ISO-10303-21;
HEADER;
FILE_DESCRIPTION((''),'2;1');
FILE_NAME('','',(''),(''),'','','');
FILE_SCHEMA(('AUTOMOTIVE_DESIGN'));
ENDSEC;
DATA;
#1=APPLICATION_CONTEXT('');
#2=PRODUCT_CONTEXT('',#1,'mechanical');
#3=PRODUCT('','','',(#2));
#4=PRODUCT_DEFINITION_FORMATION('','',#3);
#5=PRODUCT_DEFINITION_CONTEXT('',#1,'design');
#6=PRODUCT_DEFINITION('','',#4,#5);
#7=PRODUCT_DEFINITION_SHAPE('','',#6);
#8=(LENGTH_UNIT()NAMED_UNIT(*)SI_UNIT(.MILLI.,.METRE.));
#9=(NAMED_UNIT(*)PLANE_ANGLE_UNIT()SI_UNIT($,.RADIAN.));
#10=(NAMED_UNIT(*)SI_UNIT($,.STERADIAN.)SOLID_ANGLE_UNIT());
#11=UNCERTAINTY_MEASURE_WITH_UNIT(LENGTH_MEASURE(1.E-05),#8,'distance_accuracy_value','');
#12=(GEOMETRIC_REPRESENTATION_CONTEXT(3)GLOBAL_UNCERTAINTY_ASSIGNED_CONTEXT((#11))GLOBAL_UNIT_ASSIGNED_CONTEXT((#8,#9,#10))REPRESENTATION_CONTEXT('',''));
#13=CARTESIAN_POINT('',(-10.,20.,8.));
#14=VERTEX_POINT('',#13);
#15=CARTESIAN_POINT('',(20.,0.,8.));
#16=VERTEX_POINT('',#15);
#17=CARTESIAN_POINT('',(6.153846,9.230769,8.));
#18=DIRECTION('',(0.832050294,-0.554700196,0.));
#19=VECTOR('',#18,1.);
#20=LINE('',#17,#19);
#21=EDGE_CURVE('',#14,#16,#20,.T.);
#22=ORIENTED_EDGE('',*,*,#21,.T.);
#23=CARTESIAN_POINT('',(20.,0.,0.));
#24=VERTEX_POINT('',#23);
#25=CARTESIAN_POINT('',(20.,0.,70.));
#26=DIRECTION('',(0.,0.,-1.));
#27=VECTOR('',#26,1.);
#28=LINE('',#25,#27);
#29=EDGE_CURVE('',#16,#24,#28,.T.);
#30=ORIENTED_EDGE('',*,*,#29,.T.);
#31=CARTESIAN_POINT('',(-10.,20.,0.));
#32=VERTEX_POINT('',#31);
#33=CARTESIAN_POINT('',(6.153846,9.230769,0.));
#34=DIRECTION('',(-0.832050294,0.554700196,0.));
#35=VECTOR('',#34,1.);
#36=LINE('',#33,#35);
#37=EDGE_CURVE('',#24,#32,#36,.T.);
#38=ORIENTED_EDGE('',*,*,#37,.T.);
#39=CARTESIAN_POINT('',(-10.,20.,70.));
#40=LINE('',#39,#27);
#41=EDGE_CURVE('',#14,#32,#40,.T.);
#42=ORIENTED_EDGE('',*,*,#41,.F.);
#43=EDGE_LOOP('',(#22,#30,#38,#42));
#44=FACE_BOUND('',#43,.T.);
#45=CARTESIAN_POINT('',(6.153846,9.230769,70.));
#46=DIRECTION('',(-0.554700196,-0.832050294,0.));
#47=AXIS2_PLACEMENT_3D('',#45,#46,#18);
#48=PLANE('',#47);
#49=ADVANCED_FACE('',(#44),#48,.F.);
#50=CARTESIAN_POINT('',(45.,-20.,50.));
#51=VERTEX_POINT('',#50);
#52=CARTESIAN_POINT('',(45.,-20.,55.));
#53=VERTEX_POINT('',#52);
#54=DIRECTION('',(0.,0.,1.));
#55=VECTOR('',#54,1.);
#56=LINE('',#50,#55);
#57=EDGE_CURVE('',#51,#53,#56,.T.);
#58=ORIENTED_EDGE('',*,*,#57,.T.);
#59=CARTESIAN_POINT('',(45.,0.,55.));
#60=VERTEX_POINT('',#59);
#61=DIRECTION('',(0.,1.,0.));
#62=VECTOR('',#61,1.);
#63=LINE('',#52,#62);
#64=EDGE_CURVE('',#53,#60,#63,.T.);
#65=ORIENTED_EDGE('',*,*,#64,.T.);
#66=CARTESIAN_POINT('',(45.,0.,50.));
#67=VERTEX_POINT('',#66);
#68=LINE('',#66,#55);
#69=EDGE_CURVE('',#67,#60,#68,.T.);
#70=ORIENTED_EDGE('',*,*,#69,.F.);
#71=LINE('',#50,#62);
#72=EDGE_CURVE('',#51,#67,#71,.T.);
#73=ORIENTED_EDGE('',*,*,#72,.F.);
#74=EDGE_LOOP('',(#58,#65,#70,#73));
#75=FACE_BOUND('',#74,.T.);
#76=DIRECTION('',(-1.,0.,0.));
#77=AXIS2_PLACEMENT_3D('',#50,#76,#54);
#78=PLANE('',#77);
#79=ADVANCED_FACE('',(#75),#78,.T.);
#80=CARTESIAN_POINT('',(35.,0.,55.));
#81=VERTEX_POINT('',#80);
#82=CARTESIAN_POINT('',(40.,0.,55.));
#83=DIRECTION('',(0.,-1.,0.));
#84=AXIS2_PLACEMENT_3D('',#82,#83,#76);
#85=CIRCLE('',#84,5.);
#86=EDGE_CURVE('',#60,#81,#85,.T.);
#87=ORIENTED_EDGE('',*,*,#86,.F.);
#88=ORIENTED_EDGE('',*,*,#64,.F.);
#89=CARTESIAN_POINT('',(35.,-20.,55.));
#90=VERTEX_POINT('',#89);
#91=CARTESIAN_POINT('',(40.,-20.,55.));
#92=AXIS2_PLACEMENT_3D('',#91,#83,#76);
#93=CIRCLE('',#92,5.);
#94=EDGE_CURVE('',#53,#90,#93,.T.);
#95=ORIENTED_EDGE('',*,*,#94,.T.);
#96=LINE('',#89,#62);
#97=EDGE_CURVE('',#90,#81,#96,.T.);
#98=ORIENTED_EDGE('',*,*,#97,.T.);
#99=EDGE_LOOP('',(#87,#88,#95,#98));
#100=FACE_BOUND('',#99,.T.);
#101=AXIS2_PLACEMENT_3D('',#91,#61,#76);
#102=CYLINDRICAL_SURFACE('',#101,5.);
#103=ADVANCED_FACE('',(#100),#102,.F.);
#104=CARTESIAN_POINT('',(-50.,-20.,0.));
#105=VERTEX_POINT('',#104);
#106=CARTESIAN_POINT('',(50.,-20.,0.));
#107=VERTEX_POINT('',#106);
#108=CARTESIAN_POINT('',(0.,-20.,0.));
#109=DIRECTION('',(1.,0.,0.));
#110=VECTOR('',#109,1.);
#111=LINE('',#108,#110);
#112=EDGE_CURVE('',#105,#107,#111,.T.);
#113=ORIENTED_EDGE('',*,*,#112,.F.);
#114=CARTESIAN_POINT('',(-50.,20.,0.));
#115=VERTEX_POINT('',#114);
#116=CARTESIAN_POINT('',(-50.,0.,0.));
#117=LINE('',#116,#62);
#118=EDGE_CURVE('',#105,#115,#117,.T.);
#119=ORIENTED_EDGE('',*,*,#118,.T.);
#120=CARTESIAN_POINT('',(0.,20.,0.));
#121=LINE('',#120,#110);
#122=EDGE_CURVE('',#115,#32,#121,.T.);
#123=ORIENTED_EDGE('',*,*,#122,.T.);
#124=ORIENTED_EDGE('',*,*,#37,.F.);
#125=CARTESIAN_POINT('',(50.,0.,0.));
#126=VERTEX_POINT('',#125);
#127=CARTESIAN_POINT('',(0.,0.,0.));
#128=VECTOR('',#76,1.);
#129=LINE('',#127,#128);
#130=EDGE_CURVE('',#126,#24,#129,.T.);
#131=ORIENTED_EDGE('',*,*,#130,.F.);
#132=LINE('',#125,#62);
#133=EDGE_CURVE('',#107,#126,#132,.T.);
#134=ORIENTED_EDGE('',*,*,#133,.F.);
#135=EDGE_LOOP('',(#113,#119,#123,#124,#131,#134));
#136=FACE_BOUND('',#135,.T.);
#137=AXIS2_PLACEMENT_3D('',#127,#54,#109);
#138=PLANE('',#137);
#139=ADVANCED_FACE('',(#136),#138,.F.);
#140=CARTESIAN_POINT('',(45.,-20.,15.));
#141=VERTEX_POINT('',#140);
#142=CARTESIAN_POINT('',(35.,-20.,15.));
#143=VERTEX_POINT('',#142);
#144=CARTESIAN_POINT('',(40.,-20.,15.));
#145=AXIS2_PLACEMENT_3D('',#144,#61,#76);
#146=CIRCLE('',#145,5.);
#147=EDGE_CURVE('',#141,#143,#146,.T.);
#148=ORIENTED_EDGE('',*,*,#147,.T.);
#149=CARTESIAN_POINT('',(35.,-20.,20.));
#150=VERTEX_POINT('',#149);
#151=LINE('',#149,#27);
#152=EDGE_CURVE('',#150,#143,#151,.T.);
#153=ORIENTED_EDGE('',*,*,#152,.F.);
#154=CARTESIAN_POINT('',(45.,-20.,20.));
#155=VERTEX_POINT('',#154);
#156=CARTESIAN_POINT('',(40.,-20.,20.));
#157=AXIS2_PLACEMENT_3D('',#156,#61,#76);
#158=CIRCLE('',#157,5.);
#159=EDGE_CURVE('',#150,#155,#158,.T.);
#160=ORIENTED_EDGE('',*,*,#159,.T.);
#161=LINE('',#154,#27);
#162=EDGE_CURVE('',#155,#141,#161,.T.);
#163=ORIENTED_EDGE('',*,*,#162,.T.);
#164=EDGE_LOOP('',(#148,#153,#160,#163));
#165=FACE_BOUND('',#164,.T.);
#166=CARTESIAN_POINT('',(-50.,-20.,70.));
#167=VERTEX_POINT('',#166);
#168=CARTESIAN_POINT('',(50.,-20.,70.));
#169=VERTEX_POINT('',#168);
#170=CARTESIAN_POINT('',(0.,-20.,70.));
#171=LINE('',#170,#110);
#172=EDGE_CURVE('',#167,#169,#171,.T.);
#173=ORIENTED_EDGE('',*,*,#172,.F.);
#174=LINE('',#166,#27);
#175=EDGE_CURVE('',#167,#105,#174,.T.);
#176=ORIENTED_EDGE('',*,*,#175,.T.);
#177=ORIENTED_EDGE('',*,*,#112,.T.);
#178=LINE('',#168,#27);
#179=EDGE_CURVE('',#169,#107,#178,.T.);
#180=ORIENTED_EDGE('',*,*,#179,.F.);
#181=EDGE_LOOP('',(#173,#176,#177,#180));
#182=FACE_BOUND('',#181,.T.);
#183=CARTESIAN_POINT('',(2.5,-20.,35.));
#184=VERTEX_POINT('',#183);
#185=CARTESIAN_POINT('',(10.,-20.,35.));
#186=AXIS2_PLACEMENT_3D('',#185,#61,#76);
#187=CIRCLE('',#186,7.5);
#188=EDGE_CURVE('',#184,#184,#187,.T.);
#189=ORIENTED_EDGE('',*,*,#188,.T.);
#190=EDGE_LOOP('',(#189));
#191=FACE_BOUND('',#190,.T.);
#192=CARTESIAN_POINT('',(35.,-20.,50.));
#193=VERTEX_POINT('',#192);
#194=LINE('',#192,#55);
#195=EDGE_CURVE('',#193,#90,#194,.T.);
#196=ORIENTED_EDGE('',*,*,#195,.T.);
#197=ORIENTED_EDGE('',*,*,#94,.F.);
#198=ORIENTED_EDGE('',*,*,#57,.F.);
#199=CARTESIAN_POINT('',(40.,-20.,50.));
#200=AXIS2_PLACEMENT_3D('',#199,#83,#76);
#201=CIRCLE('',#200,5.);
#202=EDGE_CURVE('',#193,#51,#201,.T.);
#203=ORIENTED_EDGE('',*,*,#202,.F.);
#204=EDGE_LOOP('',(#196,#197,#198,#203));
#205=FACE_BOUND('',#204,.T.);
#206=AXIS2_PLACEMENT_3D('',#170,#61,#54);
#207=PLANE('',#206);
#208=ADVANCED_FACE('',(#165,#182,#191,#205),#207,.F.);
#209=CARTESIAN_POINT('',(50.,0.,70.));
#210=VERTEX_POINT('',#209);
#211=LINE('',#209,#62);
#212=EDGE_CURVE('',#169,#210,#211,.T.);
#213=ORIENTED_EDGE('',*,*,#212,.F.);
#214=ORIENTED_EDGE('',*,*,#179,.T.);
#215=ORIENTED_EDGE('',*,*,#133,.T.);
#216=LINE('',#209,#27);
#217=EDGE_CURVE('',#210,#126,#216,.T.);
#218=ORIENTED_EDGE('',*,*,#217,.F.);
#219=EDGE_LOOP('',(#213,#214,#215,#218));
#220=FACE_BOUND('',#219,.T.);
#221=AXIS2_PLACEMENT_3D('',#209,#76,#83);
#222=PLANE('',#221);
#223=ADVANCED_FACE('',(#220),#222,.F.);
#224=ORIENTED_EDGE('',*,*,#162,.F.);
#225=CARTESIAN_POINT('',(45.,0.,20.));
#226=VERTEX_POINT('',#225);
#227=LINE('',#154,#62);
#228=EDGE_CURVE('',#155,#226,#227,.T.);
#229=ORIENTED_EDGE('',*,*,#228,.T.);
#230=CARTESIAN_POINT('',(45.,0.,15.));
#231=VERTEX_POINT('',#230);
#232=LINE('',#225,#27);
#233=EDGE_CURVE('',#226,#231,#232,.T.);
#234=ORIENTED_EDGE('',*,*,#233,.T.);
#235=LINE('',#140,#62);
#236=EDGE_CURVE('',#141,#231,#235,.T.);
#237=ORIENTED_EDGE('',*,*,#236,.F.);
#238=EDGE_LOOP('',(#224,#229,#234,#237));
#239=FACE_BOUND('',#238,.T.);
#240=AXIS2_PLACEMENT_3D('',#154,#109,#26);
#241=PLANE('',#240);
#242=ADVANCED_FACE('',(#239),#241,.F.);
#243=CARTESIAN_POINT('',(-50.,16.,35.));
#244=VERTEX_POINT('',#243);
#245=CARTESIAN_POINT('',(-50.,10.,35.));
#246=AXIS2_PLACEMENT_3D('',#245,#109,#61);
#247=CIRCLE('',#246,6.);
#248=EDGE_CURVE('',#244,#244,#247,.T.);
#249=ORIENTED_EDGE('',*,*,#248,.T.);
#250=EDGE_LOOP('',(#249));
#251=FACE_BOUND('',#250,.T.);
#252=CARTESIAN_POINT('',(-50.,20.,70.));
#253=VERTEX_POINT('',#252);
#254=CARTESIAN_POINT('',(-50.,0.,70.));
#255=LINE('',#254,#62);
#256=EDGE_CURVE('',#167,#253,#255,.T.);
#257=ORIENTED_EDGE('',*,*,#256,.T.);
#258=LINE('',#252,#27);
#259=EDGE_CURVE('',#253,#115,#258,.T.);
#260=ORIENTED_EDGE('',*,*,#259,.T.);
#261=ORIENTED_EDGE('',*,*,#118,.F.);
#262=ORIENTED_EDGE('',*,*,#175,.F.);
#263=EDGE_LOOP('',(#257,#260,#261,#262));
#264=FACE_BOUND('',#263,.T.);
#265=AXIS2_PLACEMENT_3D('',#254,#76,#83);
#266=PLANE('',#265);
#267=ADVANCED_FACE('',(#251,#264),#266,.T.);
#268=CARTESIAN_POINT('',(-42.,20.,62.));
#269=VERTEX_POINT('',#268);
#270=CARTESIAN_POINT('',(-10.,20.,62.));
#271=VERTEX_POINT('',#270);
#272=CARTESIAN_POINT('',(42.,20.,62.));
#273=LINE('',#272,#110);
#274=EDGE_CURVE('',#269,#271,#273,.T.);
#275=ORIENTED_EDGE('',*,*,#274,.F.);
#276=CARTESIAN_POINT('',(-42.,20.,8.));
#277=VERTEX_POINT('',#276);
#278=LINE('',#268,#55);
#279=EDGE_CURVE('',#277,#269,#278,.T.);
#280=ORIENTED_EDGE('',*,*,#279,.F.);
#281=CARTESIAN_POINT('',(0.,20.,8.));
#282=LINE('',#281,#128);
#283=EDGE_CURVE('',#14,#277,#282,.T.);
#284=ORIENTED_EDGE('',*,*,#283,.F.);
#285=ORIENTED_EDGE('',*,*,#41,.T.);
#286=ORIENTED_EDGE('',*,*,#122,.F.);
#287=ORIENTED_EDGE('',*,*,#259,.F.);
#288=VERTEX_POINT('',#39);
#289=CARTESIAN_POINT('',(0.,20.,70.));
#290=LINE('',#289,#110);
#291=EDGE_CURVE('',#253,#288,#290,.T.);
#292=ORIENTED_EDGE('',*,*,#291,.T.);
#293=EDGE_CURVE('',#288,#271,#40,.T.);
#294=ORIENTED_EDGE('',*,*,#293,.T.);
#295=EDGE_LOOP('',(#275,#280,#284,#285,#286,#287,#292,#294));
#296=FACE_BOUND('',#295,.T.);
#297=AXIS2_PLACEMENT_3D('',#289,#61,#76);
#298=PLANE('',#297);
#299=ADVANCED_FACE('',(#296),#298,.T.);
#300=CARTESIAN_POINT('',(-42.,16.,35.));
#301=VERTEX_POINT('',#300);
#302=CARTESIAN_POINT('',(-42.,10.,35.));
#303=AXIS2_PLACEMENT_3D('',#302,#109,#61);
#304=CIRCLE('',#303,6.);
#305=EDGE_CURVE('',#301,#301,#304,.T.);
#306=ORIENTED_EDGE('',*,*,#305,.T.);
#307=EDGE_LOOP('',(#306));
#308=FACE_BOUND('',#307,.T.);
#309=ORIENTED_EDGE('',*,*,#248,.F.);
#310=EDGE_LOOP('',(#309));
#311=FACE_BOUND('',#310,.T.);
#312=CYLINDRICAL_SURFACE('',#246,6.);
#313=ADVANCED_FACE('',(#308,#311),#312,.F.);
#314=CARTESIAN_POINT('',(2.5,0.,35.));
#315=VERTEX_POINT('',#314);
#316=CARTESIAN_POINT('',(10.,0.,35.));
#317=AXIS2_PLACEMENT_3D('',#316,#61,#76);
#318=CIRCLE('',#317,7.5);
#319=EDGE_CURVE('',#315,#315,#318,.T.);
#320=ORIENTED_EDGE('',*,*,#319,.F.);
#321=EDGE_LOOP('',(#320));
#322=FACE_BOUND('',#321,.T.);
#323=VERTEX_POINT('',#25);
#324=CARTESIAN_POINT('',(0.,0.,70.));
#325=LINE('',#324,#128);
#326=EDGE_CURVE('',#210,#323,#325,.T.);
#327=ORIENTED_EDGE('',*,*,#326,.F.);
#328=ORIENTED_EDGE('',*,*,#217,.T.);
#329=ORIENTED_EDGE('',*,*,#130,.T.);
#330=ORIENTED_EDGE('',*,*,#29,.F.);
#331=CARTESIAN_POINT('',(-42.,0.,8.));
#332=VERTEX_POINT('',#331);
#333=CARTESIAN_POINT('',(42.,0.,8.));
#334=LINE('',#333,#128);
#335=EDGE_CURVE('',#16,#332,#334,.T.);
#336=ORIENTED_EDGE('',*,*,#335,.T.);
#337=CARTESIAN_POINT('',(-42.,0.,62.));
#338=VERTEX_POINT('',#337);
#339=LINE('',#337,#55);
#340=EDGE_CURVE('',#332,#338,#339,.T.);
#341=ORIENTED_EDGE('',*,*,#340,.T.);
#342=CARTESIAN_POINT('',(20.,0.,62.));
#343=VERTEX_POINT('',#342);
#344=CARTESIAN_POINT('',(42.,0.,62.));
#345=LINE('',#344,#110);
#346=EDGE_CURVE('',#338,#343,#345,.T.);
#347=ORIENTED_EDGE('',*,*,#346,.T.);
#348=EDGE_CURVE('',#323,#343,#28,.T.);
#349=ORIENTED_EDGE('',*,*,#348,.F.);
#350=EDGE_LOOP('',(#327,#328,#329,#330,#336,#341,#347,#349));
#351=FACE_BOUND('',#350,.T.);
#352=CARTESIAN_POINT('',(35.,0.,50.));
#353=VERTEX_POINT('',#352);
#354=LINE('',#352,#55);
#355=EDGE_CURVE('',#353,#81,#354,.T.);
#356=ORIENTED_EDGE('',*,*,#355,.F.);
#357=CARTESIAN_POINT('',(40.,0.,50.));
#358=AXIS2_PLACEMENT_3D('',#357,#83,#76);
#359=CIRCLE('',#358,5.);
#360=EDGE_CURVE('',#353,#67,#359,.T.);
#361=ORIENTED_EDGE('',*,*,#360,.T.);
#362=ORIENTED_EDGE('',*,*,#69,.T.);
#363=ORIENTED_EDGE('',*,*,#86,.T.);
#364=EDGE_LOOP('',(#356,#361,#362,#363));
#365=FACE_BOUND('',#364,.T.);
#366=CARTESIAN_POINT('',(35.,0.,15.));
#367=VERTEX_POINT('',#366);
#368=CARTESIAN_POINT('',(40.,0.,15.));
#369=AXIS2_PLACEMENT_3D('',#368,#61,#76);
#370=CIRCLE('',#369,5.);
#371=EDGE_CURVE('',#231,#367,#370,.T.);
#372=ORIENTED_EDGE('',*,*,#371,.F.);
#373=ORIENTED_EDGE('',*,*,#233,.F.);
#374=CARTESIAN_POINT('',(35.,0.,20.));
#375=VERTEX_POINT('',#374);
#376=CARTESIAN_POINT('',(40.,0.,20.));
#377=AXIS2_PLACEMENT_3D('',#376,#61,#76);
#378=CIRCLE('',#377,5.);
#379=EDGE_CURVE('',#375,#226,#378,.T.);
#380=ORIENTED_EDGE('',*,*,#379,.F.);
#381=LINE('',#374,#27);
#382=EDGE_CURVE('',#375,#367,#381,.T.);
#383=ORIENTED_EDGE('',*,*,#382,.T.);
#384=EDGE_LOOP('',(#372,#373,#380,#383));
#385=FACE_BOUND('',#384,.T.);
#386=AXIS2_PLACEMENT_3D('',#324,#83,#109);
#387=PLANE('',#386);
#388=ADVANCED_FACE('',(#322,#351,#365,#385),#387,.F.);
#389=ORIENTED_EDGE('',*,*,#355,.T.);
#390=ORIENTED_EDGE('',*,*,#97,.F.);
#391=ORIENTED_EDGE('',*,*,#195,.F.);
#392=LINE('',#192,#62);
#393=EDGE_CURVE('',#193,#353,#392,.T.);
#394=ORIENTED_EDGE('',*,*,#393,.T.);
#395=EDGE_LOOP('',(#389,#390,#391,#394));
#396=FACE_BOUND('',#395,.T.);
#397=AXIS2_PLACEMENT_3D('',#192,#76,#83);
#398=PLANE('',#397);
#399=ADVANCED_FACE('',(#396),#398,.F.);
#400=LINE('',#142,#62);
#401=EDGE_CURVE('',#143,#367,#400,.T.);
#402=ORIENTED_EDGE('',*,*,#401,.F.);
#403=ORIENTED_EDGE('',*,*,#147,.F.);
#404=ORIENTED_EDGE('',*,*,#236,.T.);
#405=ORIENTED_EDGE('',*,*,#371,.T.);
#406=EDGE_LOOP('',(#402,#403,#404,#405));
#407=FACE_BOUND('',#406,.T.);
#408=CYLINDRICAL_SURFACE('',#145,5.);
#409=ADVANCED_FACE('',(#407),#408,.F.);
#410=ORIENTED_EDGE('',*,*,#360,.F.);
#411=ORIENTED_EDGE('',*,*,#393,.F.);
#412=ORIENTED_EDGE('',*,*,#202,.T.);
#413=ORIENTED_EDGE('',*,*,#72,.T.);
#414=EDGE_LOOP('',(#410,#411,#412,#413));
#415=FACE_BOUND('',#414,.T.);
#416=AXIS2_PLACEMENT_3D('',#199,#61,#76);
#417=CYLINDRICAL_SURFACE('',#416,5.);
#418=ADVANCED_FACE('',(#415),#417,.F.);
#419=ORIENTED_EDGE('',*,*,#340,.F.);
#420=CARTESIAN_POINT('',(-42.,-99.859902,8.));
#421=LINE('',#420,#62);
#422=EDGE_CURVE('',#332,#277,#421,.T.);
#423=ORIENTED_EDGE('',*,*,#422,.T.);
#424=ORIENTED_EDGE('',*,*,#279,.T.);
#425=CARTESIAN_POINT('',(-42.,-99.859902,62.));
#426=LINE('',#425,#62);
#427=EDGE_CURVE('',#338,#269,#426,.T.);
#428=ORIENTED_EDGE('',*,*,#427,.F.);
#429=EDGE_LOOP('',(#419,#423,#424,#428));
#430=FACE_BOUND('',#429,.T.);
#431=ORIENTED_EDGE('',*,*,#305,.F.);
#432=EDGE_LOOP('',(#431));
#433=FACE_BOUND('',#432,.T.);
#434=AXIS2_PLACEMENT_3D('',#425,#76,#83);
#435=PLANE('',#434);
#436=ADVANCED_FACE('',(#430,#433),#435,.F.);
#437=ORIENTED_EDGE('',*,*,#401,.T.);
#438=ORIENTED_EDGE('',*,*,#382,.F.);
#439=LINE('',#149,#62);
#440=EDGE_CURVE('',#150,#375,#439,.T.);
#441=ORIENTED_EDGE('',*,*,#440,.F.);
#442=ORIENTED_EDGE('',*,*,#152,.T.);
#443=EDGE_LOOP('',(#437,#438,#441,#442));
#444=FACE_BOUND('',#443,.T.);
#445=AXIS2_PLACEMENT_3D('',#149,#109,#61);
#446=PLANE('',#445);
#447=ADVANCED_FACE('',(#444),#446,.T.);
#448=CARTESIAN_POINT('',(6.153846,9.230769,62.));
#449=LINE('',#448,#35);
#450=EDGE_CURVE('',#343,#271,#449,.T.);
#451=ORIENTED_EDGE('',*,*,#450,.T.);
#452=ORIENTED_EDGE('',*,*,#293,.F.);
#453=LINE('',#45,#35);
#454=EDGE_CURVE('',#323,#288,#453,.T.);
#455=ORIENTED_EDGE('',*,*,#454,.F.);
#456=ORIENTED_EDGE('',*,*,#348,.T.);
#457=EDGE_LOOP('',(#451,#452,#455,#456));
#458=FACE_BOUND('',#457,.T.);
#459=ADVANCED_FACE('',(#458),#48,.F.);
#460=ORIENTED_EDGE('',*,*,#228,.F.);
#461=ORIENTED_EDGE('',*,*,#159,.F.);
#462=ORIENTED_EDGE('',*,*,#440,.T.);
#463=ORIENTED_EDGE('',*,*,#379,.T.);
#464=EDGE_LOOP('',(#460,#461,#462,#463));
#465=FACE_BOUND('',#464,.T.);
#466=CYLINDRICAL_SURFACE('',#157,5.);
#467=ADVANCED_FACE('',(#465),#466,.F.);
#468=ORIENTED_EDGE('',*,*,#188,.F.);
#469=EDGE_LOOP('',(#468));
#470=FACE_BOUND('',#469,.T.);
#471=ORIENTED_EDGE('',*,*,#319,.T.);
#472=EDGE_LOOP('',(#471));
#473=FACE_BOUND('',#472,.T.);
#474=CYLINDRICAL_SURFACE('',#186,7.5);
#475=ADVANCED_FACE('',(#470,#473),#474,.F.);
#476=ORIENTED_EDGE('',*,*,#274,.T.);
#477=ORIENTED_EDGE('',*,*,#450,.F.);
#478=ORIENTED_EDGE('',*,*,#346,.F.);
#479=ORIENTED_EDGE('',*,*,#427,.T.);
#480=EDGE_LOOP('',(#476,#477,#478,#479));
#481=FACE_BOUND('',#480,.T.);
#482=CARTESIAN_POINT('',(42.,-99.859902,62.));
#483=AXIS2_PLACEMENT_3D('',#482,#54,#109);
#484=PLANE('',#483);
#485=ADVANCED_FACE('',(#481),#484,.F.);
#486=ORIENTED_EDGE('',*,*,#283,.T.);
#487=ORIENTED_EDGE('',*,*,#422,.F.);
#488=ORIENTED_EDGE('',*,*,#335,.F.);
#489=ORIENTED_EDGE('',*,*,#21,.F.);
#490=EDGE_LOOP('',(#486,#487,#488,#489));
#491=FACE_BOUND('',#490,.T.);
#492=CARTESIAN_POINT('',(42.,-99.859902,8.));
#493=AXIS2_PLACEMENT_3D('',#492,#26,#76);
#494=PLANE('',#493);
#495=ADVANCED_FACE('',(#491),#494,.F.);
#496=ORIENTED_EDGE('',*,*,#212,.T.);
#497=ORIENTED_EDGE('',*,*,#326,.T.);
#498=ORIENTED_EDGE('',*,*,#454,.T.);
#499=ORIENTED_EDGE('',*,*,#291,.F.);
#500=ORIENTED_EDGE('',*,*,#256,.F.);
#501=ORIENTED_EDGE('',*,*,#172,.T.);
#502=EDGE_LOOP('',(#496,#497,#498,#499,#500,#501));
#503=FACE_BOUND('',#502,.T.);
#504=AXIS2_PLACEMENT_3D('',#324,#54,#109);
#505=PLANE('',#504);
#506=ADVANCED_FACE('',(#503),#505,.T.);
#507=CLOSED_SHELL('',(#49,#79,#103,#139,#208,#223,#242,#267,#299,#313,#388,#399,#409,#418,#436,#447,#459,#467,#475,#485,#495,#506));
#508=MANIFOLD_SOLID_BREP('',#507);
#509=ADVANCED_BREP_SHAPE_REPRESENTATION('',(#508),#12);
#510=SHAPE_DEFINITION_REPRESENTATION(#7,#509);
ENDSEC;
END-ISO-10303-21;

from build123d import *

# Parameters (mm, degrees)
EXTRUDE_1_DEPTH     = 70
SKETCH_2_W          = 84
SKETCH_2_H          = 54
CUT_EXTRUDE_1_DEPTH = 20
SKETCH_3_R          = 7.5
CUT_EXTRUDE_2_DEPTH = 89.317608663
CUT_EXTRUDE_3_DEPTH = 89.317608663
SKETCH_4_R          = 6
CUT_EXTRUDE_4_DEPTH = 118.320075008


with BuildPart() as part:
    # Эскиз1 → Бобышка-Вытянуть1 (new body)
    with BuildSketch(Plane.XY):
        Polygon((50, -20), (50, 0), (20, 0), (-10, 20), (-50, 20), (-50, -20), align=None)
    extrude(amount=EXTRUDE_1_DEPTH)

    # Эскиз2 → Вырез-Вытянуть1 (cut)
    with BuildSketch(Plane(origin=(0, 20, 0), x_dir=(1, 0, 0), z_dir=(0, 1, 0))):
        with Locations((0, -35)):
            Rectangle(SKETCH_2_W, SKETCH_2_H)
    extrude(amount=-CUT_EXTRUDE_1_DEPTH, mode=Mode.SUBTRACT)

    # Эскиз3 → Вырез-Вытянуть2 (cut, through all)
    with BuildSketch(Plane(origin=(0, 0, 0), x_dir=(1, 0, 0), z_dir=(0, 1, 0))):
        with Locations(Location((10, -35, 0), (0, 0, 180))):
            Circle(SKETCH_3_R)
    extrude(amount=-CUT_EXTRUDE_2_DEPTH, mode=Mode.SUBTRACT)

    # Эскиз3<4> → Вырез-Вытянуть3 (cut, through all)
    with BuildSketch(Plane(origin=(0, 0, 0), x_dir=(1, 0, 0), z_dir=(0, 1, 0))):
        with BuildLine():
            Line((35, -20), (35, -15))
            ThreePointArc((35, -15), (40, -10), (45, -15))
            Line((45, -15), (45, -20))
            ThreePointArc((45, -20), (40, -25), (35, -20))
        make_face()
    cut_extrude_3 = extrude(amount=-CUT_EXTRUDE_3_DEPTH, mode=Mode.SUBTRACT)

    # Зеркальное отражение1: Вырез-Вытянуть3 across plane
    add(cut_extrude_3.mirror(Plane(origin=(0, 0, 35), x_dir=(1, 0, 0), z_dir=(0, 0, -1))), mode=Mode.SUBTRACT)

    # Эскиз4 → Вырез-Вытянуть4 (cut, through all)
    with BuildSketch(Plane(origin=(-42, 0, 0), x_dir=(0, 0, -1), z_dir=(1, 0, 0))):
        with Locations(Location((-35, 10, 0), (0, 0, 90))):
            Circle(SKETCH_4_R)
    extrude(amount=-CUT_EXTRUDE_4_DEPTH, mode=Mode.SUBTRACT)


solid = part.part
